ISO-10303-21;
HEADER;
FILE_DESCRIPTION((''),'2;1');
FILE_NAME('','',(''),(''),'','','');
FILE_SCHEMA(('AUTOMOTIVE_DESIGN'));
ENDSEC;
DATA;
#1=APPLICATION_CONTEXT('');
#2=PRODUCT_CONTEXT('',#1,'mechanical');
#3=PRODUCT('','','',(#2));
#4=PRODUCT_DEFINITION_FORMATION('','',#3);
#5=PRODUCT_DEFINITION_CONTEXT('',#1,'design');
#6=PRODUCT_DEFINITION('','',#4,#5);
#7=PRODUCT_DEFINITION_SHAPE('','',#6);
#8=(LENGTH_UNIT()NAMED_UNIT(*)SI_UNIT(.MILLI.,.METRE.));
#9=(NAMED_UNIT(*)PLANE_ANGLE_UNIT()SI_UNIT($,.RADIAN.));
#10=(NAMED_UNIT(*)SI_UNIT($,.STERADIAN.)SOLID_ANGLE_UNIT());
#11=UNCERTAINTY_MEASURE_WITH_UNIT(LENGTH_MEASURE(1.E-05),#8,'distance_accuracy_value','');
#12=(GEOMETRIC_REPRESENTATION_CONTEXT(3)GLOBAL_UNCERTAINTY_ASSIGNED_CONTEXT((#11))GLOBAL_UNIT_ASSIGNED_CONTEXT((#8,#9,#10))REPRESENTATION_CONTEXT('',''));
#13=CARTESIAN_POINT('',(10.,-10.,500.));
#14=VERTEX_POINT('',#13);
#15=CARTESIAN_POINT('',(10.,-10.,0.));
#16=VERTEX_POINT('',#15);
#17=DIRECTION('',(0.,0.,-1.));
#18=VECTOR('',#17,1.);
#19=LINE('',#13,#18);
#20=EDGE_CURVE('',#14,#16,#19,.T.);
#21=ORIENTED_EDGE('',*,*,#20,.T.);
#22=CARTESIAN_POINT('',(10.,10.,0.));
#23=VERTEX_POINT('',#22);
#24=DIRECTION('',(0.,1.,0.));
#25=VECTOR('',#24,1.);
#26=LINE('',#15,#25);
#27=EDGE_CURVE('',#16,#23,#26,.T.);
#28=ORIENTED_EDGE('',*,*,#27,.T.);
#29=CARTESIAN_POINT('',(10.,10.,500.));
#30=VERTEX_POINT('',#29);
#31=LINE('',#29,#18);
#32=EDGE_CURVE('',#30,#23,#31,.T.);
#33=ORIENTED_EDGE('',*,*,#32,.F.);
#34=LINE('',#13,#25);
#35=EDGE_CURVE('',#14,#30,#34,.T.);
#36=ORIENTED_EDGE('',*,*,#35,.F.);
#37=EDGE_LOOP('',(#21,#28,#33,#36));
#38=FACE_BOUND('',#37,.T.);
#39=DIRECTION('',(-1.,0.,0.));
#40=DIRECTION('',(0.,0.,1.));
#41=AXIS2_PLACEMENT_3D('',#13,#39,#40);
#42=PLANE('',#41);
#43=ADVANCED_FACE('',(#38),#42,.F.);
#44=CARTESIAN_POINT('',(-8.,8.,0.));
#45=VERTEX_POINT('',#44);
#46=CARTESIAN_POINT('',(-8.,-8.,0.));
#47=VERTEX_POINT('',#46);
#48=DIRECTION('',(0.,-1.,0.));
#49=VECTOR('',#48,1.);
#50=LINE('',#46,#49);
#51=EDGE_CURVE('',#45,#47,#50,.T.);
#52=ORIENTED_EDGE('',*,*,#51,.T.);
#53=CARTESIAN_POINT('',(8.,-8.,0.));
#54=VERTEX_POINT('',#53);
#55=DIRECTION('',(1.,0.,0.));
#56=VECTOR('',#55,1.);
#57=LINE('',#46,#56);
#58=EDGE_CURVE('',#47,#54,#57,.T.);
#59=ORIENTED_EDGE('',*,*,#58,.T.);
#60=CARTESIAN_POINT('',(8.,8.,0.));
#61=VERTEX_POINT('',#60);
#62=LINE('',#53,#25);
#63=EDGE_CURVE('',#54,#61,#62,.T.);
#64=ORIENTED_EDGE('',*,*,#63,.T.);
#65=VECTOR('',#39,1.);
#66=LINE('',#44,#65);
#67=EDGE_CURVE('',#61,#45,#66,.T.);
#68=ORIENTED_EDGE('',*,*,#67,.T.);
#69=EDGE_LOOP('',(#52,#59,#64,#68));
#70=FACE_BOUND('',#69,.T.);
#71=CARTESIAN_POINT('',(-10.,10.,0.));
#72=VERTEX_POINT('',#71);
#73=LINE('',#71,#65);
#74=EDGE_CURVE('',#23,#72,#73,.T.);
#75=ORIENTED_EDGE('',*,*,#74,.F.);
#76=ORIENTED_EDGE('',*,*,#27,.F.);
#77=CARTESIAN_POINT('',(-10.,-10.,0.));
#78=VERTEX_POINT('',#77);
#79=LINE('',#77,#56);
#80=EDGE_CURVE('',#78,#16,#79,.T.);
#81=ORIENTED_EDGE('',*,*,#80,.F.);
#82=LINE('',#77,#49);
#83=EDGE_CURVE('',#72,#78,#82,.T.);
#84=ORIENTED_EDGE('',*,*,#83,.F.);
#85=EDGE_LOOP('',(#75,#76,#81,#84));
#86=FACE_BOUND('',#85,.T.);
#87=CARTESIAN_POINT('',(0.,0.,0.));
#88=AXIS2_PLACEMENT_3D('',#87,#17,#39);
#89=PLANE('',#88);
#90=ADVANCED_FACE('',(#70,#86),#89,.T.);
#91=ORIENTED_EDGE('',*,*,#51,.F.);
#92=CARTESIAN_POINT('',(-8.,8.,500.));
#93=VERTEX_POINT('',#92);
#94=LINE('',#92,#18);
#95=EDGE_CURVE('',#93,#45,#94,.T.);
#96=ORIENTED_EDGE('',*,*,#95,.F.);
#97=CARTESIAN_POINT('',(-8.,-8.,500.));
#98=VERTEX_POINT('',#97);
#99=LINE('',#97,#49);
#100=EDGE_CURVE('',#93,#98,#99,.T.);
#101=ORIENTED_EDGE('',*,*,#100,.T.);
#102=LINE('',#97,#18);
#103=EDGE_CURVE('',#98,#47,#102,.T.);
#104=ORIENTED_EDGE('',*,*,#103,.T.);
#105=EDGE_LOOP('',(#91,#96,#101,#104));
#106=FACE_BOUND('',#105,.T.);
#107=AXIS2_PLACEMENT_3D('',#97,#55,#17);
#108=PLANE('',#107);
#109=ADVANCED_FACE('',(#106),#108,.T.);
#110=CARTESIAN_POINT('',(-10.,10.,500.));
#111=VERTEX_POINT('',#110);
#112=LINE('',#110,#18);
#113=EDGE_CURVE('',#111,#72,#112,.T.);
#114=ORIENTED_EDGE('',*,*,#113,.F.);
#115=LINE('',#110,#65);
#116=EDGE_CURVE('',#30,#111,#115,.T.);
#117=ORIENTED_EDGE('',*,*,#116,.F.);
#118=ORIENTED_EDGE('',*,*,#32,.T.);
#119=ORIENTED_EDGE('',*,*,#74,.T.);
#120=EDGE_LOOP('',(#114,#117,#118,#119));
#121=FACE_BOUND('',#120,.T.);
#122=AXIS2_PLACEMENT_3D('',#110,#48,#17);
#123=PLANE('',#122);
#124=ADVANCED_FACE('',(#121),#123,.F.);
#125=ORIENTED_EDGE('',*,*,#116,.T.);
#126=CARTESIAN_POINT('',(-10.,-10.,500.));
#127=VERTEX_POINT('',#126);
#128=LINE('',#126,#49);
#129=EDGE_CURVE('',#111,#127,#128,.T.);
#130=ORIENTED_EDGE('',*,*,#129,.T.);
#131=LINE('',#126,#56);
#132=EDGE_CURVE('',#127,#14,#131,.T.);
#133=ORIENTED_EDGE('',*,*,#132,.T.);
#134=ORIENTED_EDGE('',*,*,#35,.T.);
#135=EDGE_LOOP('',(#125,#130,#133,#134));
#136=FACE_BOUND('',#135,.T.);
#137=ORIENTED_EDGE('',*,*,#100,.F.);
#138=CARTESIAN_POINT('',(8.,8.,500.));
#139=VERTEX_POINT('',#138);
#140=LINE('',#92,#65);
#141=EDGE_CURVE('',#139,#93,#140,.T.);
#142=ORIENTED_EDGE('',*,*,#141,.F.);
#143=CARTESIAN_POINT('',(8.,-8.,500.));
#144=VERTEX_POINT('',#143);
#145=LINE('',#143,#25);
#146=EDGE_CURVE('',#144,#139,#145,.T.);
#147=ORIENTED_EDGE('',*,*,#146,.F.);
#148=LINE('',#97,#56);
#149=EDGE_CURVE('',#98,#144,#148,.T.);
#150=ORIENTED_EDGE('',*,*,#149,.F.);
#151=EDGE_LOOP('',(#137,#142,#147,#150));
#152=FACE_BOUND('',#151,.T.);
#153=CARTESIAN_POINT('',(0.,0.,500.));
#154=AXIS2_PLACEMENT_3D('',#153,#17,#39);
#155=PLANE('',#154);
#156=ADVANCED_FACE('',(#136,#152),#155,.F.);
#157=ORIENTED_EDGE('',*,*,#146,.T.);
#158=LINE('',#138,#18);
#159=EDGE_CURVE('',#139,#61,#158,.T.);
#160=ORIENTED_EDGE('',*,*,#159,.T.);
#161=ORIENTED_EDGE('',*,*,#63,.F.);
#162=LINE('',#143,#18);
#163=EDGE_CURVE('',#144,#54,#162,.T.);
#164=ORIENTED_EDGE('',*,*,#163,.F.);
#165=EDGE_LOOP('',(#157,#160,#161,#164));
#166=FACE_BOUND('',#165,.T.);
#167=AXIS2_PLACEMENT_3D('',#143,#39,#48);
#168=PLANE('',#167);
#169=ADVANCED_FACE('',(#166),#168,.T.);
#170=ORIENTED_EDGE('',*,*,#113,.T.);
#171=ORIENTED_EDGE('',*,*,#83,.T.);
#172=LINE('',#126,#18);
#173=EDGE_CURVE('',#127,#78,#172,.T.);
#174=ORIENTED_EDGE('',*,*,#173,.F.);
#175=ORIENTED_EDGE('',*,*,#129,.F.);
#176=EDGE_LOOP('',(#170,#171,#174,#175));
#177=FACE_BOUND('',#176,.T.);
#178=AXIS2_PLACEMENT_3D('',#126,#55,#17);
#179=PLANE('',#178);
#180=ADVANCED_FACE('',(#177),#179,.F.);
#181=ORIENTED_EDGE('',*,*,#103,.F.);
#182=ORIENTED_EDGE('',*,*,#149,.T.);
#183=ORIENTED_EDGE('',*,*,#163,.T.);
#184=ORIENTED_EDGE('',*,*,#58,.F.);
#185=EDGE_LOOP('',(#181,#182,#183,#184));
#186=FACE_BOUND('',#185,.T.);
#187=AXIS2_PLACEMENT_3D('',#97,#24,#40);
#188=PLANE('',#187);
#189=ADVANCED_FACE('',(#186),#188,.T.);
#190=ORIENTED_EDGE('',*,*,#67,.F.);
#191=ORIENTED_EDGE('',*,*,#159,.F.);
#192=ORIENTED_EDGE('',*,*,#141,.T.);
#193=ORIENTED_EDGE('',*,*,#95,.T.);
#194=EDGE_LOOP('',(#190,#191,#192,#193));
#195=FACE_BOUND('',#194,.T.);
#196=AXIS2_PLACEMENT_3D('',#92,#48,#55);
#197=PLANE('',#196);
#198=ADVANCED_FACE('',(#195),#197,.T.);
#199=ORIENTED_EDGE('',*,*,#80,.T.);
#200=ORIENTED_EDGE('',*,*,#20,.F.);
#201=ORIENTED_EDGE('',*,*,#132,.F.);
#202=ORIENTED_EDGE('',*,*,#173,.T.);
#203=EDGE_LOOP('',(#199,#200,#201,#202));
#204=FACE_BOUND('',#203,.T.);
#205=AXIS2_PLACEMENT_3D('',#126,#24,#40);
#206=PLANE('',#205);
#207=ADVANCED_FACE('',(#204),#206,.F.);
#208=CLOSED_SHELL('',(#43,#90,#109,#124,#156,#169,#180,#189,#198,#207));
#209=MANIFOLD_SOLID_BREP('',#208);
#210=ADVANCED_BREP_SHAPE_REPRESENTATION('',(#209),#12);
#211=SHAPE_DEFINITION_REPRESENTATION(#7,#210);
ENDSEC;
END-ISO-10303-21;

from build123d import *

# Parameters (mm, degrees)
SKETCH1_W           = 20
SKETCH1_H           = 20
SKETCH1_W_2         = 16
SKETCH1_H_2         = 16
BOSS_EXTRUDE1_DEPTH = 500


with BuildPart() as part:
    # Sketch1 → Boss-Extrude1 (new body)
    with BuildSketch(Plane.XY):
        Rectangle(SKETCH1_W, SKETCH1_H)
        Rectangle(SKETCH1_W_2, SKETCH1_H_2, mode=Mode.SUBTRACT)
    extrude(amount=BOSS_EXTRUDE1_DEPTH)


solid = part.part
